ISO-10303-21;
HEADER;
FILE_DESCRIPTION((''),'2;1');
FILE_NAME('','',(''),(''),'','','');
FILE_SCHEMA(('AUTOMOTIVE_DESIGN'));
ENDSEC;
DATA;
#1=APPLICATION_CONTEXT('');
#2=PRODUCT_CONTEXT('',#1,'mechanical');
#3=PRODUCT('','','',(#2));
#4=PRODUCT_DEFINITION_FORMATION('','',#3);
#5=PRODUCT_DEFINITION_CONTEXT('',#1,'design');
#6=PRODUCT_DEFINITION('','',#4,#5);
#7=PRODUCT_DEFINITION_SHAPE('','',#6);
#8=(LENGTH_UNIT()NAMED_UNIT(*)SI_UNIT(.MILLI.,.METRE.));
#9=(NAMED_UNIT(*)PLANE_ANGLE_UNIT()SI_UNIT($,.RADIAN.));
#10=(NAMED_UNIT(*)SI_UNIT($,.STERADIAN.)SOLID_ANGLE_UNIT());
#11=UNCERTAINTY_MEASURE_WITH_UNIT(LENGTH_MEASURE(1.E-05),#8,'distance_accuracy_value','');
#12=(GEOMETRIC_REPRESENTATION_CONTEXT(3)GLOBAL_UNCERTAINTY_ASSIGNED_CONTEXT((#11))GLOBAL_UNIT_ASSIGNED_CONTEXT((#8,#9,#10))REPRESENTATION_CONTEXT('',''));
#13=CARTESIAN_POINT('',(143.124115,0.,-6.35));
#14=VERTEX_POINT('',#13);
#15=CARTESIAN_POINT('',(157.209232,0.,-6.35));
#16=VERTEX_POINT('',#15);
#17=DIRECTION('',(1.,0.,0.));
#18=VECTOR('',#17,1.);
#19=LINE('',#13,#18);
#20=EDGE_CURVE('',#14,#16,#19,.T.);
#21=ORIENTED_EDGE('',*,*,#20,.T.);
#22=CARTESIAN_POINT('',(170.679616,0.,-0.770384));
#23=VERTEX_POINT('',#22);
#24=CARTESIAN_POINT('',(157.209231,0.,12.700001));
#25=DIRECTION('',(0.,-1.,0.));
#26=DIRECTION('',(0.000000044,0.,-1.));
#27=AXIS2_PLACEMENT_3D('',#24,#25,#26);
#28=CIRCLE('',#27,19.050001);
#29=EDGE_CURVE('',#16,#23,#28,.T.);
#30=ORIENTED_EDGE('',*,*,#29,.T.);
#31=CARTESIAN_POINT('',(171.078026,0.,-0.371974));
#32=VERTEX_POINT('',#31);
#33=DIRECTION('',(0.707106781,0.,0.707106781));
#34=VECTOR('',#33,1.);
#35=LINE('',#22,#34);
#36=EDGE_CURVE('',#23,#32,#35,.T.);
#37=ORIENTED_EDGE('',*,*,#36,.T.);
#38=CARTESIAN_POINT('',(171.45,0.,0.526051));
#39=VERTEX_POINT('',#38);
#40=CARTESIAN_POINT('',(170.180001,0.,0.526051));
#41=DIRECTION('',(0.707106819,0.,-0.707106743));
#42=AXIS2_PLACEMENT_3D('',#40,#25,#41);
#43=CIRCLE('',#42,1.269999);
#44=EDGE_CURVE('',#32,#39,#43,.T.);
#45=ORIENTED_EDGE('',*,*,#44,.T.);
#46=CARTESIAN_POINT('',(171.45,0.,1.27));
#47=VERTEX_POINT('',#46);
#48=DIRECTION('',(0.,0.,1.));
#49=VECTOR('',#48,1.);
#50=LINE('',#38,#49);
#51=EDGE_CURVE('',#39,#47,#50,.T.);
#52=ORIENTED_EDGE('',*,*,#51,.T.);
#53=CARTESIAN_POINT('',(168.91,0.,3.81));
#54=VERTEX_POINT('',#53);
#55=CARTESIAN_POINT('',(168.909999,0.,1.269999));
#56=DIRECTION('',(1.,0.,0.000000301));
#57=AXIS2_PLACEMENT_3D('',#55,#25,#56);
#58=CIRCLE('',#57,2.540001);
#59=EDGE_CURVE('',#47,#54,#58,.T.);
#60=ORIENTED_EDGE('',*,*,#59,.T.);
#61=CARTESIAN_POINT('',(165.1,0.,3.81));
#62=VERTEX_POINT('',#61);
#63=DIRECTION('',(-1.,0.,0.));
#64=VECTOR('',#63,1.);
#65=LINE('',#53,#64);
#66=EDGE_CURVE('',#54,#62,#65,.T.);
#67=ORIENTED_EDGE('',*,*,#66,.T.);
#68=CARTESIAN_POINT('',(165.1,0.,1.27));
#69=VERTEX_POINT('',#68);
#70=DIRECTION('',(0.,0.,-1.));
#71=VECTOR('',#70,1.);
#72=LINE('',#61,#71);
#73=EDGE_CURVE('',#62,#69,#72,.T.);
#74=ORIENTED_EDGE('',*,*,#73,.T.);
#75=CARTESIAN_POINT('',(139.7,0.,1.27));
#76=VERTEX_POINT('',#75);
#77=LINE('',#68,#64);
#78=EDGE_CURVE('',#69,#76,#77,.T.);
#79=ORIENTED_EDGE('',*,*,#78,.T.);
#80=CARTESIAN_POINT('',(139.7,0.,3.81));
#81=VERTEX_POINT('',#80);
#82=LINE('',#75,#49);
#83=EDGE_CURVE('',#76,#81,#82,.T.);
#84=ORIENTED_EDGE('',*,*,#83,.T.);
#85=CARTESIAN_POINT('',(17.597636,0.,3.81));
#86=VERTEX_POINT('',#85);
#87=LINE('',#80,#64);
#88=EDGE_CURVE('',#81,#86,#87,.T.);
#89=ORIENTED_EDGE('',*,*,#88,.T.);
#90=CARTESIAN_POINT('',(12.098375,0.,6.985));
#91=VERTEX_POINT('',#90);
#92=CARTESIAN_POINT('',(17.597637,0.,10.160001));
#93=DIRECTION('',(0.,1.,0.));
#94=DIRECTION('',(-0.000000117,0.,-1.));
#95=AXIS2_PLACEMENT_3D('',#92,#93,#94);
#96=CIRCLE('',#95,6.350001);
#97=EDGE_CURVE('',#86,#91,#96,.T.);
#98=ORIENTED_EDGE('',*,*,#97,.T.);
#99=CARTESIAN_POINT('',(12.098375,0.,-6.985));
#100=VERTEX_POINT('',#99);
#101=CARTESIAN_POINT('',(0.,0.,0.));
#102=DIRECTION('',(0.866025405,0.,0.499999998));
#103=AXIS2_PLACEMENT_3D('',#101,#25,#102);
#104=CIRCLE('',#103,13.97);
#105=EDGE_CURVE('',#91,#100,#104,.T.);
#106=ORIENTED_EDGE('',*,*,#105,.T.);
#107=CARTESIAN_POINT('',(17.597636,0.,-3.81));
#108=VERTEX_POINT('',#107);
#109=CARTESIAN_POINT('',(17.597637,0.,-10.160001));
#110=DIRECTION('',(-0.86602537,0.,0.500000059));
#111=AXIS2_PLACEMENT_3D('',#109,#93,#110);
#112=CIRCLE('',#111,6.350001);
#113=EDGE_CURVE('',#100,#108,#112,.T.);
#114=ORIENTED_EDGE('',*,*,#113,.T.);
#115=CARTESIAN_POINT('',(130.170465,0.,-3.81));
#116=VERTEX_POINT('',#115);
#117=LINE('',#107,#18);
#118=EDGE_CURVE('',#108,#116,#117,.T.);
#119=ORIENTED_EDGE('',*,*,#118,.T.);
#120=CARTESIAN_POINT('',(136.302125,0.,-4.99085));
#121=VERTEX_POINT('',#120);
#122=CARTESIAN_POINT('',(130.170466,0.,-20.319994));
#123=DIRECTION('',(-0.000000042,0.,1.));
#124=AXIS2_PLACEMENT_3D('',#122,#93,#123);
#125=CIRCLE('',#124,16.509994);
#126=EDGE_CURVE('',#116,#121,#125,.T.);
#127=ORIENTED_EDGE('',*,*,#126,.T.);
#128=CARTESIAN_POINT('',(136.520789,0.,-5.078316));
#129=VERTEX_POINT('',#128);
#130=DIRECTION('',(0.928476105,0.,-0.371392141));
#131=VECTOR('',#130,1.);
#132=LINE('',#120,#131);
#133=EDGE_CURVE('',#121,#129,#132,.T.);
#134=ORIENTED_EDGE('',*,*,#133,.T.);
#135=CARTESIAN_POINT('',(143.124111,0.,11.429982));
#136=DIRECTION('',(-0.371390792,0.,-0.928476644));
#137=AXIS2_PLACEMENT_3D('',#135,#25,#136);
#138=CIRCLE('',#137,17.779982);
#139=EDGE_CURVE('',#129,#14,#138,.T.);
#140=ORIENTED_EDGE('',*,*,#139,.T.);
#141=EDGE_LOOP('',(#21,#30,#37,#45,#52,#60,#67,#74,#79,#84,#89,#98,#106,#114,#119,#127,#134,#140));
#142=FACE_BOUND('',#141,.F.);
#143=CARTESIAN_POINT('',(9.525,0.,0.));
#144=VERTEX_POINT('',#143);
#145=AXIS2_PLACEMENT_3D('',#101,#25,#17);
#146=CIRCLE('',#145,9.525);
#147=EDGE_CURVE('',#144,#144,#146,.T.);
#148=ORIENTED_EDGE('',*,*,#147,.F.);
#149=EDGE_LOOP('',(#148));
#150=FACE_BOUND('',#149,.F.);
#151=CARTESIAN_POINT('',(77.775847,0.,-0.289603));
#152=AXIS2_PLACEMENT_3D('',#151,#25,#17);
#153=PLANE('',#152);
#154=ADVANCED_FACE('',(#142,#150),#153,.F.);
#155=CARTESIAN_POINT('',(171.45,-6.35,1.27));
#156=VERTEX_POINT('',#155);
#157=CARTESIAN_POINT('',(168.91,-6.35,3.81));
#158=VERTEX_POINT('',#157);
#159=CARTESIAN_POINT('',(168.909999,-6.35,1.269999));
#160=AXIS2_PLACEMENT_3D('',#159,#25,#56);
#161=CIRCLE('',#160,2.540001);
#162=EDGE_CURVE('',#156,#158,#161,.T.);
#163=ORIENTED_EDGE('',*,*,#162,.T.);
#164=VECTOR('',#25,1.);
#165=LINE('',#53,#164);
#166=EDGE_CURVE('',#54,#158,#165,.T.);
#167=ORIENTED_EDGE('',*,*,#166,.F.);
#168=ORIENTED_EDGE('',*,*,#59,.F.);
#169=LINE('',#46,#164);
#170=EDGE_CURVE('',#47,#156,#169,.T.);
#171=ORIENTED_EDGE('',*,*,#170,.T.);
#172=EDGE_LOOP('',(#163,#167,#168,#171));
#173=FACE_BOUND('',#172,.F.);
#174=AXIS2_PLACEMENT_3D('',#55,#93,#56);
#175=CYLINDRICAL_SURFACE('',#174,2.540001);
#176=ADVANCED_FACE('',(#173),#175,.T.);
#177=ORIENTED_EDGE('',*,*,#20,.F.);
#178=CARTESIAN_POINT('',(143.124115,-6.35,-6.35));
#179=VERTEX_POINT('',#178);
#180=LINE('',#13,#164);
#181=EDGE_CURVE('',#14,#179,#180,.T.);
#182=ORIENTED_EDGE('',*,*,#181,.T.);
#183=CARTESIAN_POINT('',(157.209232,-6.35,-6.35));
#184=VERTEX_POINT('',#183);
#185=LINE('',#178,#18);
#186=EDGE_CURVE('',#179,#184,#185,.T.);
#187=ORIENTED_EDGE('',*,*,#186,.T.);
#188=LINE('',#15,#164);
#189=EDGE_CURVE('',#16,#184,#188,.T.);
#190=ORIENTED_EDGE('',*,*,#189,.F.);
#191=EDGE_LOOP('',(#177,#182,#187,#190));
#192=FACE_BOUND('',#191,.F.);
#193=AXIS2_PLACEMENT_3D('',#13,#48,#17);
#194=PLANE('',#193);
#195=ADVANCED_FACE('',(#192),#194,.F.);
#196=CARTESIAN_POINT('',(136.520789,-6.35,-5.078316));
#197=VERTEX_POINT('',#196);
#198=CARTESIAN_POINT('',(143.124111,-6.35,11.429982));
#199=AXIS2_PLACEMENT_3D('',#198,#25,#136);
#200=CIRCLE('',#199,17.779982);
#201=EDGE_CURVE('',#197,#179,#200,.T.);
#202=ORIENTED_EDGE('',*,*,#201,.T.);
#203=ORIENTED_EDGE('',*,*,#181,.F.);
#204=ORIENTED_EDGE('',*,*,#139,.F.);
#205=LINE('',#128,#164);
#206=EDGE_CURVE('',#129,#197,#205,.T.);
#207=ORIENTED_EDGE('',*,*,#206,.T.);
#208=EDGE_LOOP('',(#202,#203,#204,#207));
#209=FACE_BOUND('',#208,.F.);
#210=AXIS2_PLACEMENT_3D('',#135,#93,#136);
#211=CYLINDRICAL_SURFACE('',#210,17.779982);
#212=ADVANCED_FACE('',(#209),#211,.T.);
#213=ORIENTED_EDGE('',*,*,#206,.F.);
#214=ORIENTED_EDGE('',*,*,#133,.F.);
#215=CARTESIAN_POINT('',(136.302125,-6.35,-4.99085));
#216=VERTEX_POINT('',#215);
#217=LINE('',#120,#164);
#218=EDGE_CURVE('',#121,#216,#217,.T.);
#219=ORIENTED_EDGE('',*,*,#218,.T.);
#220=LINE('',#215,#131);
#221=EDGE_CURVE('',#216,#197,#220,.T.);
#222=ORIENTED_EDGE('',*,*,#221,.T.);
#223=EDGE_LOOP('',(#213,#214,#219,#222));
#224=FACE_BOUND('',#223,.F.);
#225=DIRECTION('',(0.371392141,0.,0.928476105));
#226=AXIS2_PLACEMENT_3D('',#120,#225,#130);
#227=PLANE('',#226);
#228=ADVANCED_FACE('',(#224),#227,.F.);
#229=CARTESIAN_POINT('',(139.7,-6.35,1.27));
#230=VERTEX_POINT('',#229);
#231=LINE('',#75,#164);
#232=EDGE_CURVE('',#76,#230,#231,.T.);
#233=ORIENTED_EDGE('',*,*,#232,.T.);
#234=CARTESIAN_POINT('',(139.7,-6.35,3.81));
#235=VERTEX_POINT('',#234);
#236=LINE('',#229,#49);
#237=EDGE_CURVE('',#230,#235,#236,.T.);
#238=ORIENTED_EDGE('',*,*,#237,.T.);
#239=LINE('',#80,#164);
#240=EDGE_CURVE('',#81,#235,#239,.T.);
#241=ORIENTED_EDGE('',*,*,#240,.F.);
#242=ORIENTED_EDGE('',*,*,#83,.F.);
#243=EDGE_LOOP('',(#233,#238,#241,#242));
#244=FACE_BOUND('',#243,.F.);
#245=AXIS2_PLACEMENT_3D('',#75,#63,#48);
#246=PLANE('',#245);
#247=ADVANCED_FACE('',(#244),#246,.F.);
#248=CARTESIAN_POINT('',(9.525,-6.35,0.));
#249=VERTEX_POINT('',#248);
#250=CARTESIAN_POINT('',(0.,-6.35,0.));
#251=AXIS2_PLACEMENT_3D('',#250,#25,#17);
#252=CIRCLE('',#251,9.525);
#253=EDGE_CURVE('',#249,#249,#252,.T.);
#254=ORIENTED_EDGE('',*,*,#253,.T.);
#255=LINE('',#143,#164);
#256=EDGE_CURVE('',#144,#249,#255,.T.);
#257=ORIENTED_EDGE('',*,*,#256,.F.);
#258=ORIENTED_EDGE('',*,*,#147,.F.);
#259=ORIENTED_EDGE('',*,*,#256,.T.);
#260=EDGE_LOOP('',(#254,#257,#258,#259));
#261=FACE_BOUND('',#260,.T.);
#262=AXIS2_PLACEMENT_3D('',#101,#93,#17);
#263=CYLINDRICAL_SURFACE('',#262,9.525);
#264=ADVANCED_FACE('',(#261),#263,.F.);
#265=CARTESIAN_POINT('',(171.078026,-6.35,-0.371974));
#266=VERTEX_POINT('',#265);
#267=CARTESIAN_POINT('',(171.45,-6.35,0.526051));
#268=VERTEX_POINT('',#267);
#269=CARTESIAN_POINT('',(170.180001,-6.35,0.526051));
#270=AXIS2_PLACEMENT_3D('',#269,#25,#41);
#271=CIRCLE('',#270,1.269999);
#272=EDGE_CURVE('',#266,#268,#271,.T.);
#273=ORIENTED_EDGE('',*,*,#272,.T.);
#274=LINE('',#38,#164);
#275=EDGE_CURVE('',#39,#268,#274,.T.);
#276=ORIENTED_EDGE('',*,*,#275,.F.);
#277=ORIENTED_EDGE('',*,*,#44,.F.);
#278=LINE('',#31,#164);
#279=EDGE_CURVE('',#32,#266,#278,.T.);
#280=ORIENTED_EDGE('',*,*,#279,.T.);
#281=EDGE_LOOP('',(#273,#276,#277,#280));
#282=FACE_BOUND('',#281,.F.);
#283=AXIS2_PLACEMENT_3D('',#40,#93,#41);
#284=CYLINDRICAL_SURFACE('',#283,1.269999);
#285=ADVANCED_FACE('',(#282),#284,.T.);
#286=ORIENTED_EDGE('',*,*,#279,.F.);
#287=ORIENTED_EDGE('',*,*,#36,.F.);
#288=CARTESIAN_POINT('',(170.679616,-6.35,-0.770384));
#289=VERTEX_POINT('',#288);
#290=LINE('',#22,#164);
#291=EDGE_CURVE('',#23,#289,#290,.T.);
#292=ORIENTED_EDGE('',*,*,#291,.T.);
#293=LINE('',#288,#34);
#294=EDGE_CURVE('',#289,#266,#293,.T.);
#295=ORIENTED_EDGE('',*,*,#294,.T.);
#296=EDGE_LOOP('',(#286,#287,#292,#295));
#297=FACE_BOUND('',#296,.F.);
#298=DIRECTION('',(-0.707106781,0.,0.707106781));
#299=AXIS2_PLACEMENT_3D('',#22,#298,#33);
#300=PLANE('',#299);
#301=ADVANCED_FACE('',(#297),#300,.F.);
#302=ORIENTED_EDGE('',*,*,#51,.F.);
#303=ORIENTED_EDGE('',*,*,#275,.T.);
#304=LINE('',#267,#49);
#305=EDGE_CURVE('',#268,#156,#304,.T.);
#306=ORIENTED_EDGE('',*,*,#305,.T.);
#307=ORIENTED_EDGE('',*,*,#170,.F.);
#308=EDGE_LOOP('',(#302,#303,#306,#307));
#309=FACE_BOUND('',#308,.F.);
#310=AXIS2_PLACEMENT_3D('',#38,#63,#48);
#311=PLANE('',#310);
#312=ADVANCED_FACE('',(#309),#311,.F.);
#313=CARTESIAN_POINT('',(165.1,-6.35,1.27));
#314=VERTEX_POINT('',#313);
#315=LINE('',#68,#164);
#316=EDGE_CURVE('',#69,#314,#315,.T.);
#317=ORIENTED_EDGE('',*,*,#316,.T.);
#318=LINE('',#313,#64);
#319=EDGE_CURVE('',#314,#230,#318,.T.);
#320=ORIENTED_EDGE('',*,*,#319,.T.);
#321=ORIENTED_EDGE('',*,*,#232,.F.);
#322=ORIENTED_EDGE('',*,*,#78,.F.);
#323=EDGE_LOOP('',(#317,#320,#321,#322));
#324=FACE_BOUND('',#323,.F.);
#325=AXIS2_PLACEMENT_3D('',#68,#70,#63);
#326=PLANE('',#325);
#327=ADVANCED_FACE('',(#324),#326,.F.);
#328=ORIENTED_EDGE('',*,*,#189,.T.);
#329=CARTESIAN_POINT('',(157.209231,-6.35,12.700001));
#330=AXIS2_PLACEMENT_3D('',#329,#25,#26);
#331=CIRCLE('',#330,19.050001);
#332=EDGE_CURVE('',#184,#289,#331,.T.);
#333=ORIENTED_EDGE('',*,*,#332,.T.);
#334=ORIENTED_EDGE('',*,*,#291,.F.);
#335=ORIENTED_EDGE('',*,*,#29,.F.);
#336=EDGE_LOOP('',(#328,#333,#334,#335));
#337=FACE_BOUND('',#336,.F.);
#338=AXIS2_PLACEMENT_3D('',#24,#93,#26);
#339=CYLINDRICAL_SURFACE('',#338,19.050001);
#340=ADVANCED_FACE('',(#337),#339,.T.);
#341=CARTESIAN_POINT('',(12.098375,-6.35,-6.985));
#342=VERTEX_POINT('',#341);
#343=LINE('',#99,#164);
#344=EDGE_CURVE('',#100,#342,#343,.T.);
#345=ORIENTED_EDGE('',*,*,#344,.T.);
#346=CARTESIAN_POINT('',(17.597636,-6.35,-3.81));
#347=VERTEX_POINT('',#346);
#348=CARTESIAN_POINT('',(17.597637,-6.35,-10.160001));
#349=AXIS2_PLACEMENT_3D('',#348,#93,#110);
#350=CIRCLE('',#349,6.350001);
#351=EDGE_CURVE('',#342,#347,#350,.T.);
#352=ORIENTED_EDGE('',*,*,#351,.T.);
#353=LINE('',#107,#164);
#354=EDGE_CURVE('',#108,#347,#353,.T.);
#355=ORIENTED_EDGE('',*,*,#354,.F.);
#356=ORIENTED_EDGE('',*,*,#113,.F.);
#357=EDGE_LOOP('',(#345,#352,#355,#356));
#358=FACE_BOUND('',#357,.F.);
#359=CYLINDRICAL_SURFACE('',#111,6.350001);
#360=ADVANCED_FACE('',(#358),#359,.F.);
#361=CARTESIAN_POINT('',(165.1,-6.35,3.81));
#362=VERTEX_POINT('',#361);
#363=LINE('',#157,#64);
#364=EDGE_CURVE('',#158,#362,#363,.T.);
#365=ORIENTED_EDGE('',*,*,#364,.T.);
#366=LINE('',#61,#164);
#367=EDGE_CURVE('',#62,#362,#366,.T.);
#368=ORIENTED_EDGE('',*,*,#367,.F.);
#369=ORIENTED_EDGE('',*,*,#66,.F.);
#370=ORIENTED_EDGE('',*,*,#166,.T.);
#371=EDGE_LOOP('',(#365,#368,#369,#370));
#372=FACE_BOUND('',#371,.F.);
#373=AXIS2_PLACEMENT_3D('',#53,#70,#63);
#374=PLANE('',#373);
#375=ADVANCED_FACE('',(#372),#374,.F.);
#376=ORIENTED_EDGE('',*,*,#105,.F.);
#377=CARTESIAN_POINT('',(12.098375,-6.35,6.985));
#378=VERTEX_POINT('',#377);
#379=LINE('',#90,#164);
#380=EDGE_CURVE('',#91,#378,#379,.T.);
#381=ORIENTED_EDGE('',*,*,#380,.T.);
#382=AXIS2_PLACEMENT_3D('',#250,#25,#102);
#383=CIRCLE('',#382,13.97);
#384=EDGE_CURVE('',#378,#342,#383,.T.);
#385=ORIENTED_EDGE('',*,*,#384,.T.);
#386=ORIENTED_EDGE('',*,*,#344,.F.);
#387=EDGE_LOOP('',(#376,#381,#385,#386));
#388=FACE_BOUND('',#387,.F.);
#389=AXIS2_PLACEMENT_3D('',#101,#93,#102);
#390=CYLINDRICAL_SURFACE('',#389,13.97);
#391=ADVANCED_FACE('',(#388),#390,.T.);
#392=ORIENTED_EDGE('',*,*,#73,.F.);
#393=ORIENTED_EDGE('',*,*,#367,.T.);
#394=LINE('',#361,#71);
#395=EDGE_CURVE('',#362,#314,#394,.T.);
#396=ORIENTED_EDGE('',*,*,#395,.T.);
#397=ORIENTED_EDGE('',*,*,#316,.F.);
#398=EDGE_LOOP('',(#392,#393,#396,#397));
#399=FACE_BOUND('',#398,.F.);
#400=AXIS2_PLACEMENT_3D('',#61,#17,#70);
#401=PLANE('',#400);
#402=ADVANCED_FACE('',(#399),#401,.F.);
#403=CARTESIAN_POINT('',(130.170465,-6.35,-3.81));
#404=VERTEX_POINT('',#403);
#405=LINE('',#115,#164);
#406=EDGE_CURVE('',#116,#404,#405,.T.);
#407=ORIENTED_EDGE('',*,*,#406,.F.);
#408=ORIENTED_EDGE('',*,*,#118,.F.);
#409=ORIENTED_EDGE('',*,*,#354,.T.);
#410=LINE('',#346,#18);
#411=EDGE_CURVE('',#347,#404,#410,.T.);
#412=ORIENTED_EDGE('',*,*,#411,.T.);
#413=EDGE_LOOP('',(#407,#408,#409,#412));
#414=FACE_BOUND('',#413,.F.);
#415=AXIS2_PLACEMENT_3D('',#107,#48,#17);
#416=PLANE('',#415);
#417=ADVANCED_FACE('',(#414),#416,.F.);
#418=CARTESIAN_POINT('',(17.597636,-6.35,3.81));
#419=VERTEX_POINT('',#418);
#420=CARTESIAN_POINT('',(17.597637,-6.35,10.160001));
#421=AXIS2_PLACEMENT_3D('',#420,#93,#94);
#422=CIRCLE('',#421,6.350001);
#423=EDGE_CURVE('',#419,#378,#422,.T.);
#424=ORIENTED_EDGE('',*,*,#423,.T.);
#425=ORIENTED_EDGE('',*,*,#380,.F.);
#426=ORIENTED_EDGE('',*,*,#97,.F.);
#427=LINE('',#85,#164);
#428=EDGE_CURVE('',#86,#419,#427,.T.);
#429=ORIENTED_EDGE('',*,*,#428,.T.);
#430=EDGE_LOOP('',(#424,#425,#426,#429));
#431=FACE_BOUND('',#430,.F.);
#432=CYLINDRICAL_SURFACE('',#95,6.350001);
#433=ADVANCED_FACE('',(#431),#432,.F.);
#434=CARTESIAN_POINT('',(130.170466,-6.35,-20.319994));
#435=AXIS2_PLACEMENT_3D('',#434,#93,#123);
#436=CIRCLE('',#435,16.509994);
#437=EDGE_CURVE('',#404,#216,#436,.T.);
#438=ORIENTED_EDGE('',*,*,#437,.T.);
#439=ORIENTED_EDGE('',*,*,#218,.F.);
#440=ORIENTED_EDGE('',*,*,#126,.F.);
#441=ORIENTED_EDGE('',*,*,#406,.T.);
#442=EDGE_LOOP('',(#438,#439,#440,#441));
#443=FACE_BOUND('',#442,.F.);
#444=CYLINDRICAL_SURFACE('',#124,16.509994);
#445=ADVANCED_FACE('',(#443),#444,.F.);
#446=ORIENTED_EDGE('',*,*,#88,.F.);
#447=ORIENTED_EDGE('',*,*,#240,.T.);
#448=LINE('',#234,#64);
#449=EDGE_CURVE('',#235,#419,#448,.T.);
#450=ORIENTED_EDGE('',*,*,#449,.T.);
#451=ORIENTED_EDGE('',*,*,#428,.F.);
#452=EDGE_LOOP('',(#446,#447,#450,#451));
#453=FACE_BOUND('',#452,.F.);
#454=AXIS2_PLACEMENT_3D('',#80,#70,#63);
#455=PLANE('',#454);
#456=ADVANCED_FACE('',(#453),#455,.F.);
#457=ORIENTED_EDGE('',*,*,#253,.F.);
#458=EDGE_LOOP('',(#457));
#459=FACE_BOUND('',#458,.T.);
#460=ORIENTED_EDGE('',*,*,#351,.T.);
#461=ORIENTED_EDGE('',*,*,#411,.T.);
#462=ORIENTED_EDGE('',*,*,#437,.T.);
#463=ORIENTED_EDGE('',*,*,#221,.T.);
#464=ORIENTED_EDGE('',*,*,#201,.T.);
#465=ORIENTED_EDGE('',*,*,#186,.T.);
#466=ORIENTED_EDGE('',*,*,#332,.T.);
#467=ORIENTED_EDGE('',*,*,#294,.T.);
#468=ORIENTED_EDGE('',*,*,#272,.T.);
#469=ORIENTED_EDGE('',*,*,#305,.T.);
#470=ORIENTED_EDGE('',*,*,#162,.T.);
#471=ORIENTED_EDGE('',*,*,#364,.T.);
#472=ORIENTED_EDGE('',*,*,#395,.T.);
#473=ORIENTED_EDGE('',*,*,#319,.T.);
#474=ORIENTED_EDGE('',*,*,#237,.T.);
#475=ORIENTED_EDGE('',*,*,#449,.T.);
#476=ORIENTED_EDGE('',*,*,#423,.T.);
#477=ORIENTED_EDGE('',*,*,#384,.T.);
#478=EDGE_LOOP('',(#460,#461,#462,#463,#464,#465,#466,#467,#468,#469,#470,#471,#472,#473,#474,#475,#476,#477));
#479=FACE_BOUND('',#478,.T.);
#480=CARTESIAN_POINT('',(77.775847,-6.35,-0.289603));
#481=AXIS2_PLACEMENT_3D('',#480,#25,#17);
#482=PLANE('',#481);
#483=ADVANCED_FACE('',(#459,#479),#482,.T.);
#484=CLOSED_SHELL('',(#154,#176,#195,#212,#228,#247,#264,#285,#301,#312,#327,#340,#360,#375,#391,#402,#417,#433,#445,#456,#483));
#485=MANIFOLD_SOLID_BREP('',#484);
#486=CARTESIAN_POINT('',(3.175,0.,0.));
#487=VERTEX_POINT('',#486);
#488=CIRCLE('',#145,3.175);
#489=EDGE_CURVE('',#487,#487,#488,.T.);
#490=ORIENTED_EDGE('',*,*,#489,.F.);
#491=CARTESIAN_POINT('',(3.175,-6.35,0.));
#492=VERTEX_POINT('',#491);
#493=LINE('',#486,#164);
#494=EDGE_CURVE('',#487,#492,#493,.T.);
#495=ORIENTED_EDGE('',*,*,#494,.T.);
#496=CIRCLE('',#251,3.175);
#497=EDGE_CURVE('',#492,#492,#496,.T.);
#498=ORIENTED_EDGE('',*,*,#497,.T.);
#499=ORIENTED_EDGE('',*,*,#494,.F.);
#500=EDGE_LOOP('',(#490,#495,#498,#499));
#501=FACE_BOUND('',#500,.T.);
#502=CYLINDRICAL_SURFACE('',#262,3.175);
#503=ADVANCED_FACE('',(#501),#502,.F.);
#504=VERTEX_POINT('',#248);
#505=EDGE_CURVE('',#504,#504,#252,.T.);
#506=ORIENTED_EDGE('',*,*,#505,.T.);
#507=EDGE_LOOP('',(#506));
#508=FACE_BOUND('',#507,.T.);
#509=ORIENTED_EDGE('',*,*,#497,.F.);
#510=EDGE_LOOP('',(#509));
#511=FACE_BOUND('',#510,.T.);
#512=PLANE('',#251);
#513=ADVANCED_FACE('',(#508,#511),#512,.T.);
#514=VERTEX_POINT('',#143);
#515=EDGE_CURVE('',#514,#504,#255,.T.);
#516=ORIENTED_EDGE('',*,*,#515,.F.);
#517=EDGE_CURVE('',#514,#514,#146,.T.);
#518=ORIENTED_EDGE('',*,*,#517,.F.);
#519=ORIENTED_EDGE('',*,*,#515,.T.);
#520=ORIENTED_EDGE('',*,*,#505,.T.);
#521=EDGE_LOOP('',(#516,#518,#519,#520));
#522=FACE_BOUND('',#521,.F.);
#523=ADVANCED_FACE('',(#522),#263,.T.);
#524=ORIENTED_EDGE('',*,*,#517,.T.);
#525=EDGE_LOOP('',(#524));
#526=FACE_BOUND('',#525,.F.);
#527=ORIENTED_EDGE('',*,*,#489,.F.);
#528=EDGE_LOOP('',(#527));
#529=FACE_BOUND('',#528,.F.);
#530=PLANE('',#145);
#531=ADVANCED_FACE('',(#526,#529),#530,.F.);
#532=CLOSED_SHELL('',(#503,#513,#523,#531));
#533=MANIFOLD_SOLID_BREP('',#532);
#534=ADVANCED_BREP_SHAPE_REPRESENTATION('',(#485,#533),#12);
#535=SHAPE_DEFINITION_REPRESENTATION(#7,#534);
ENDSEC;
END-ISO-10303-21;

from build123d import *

# Parameters (mm, degrees)
F0_R     = 9.525
F1_DEPTH = 6.35
F2_R     = 9.525
F2_R_2   = 3.175
F3_DEPTH = 6.35


with BuildPart() as f1:
    # F0 (on Front) → F1 (new body)
    with BuildSketch(Plane.XZ):
        with BuildLine():
            ThreePointArc((17.597636, 3.81), (14.422636, 4.660739), (12.098375, 6.985))
            ThreePointArc((12.098375, 6.985), (-13.97, 0), (12.098375, -6.985))
            ThreePointArc((12.098375, -6.985), (14.422636, -4.660739), (17.597636, -3.81))
            Line((17.597636, -3.81), (130.170465, -3.81))
            ThreePointArc((130.170465, -3.81), (133.29263, -4.1079), (136.302125, -4.99085))
            Line((136.302125, -4.99085), (136.520789, -5.078316))
            ThreePointArc((136.520789, -5.078316), (139.761783, -6.029185), (143.124115, -6.35))
            Line((143.124115, -6.35), (157.209232, -6.35))
            ThreePointArc((157.209232, -6.35), (164.499351, -4.899905), (170.679616, -0.770384))
            Line((170.679616, -0.770384), (171.078026, -0.371974))
            ThreePointArc((171.078026, -0.371974), (171.353327, 0.040043), (171.45, 0.526051))
            Line((171.45, 0.526051), (171.45, 1.27))
            ThreePointArc((171.45, 1.27), (170.706051, 3.066051), (168.91, 3.81))
            Line((168.91, 3.81), (165.1, 3.81))
            Line((165.1, 3.81), (165.1, 1.27))
            Line((165.1, 1.27), (139.7, 1.27))
            Line((139.7, 1.27), (139.7, 3.81))
            Line((139.7, 3.81), (17.597636, 3.81))
        make_face()
        Circle(F0_R, mode=Mode.SUBTRACT)
    extrude(amount=F1_DEPTH)


with BuildPart() as f3:
    # F2 (on Front) → F3 (new body)
    with BuildSketch(Plane.XZ):
        Circle(F2_R)
        Circle(F2_R_2, mode=Mode.SUBTRACT)
    extrude(amount=F3_DEPTH)


solid = Compound([f1.part, f3.part])
